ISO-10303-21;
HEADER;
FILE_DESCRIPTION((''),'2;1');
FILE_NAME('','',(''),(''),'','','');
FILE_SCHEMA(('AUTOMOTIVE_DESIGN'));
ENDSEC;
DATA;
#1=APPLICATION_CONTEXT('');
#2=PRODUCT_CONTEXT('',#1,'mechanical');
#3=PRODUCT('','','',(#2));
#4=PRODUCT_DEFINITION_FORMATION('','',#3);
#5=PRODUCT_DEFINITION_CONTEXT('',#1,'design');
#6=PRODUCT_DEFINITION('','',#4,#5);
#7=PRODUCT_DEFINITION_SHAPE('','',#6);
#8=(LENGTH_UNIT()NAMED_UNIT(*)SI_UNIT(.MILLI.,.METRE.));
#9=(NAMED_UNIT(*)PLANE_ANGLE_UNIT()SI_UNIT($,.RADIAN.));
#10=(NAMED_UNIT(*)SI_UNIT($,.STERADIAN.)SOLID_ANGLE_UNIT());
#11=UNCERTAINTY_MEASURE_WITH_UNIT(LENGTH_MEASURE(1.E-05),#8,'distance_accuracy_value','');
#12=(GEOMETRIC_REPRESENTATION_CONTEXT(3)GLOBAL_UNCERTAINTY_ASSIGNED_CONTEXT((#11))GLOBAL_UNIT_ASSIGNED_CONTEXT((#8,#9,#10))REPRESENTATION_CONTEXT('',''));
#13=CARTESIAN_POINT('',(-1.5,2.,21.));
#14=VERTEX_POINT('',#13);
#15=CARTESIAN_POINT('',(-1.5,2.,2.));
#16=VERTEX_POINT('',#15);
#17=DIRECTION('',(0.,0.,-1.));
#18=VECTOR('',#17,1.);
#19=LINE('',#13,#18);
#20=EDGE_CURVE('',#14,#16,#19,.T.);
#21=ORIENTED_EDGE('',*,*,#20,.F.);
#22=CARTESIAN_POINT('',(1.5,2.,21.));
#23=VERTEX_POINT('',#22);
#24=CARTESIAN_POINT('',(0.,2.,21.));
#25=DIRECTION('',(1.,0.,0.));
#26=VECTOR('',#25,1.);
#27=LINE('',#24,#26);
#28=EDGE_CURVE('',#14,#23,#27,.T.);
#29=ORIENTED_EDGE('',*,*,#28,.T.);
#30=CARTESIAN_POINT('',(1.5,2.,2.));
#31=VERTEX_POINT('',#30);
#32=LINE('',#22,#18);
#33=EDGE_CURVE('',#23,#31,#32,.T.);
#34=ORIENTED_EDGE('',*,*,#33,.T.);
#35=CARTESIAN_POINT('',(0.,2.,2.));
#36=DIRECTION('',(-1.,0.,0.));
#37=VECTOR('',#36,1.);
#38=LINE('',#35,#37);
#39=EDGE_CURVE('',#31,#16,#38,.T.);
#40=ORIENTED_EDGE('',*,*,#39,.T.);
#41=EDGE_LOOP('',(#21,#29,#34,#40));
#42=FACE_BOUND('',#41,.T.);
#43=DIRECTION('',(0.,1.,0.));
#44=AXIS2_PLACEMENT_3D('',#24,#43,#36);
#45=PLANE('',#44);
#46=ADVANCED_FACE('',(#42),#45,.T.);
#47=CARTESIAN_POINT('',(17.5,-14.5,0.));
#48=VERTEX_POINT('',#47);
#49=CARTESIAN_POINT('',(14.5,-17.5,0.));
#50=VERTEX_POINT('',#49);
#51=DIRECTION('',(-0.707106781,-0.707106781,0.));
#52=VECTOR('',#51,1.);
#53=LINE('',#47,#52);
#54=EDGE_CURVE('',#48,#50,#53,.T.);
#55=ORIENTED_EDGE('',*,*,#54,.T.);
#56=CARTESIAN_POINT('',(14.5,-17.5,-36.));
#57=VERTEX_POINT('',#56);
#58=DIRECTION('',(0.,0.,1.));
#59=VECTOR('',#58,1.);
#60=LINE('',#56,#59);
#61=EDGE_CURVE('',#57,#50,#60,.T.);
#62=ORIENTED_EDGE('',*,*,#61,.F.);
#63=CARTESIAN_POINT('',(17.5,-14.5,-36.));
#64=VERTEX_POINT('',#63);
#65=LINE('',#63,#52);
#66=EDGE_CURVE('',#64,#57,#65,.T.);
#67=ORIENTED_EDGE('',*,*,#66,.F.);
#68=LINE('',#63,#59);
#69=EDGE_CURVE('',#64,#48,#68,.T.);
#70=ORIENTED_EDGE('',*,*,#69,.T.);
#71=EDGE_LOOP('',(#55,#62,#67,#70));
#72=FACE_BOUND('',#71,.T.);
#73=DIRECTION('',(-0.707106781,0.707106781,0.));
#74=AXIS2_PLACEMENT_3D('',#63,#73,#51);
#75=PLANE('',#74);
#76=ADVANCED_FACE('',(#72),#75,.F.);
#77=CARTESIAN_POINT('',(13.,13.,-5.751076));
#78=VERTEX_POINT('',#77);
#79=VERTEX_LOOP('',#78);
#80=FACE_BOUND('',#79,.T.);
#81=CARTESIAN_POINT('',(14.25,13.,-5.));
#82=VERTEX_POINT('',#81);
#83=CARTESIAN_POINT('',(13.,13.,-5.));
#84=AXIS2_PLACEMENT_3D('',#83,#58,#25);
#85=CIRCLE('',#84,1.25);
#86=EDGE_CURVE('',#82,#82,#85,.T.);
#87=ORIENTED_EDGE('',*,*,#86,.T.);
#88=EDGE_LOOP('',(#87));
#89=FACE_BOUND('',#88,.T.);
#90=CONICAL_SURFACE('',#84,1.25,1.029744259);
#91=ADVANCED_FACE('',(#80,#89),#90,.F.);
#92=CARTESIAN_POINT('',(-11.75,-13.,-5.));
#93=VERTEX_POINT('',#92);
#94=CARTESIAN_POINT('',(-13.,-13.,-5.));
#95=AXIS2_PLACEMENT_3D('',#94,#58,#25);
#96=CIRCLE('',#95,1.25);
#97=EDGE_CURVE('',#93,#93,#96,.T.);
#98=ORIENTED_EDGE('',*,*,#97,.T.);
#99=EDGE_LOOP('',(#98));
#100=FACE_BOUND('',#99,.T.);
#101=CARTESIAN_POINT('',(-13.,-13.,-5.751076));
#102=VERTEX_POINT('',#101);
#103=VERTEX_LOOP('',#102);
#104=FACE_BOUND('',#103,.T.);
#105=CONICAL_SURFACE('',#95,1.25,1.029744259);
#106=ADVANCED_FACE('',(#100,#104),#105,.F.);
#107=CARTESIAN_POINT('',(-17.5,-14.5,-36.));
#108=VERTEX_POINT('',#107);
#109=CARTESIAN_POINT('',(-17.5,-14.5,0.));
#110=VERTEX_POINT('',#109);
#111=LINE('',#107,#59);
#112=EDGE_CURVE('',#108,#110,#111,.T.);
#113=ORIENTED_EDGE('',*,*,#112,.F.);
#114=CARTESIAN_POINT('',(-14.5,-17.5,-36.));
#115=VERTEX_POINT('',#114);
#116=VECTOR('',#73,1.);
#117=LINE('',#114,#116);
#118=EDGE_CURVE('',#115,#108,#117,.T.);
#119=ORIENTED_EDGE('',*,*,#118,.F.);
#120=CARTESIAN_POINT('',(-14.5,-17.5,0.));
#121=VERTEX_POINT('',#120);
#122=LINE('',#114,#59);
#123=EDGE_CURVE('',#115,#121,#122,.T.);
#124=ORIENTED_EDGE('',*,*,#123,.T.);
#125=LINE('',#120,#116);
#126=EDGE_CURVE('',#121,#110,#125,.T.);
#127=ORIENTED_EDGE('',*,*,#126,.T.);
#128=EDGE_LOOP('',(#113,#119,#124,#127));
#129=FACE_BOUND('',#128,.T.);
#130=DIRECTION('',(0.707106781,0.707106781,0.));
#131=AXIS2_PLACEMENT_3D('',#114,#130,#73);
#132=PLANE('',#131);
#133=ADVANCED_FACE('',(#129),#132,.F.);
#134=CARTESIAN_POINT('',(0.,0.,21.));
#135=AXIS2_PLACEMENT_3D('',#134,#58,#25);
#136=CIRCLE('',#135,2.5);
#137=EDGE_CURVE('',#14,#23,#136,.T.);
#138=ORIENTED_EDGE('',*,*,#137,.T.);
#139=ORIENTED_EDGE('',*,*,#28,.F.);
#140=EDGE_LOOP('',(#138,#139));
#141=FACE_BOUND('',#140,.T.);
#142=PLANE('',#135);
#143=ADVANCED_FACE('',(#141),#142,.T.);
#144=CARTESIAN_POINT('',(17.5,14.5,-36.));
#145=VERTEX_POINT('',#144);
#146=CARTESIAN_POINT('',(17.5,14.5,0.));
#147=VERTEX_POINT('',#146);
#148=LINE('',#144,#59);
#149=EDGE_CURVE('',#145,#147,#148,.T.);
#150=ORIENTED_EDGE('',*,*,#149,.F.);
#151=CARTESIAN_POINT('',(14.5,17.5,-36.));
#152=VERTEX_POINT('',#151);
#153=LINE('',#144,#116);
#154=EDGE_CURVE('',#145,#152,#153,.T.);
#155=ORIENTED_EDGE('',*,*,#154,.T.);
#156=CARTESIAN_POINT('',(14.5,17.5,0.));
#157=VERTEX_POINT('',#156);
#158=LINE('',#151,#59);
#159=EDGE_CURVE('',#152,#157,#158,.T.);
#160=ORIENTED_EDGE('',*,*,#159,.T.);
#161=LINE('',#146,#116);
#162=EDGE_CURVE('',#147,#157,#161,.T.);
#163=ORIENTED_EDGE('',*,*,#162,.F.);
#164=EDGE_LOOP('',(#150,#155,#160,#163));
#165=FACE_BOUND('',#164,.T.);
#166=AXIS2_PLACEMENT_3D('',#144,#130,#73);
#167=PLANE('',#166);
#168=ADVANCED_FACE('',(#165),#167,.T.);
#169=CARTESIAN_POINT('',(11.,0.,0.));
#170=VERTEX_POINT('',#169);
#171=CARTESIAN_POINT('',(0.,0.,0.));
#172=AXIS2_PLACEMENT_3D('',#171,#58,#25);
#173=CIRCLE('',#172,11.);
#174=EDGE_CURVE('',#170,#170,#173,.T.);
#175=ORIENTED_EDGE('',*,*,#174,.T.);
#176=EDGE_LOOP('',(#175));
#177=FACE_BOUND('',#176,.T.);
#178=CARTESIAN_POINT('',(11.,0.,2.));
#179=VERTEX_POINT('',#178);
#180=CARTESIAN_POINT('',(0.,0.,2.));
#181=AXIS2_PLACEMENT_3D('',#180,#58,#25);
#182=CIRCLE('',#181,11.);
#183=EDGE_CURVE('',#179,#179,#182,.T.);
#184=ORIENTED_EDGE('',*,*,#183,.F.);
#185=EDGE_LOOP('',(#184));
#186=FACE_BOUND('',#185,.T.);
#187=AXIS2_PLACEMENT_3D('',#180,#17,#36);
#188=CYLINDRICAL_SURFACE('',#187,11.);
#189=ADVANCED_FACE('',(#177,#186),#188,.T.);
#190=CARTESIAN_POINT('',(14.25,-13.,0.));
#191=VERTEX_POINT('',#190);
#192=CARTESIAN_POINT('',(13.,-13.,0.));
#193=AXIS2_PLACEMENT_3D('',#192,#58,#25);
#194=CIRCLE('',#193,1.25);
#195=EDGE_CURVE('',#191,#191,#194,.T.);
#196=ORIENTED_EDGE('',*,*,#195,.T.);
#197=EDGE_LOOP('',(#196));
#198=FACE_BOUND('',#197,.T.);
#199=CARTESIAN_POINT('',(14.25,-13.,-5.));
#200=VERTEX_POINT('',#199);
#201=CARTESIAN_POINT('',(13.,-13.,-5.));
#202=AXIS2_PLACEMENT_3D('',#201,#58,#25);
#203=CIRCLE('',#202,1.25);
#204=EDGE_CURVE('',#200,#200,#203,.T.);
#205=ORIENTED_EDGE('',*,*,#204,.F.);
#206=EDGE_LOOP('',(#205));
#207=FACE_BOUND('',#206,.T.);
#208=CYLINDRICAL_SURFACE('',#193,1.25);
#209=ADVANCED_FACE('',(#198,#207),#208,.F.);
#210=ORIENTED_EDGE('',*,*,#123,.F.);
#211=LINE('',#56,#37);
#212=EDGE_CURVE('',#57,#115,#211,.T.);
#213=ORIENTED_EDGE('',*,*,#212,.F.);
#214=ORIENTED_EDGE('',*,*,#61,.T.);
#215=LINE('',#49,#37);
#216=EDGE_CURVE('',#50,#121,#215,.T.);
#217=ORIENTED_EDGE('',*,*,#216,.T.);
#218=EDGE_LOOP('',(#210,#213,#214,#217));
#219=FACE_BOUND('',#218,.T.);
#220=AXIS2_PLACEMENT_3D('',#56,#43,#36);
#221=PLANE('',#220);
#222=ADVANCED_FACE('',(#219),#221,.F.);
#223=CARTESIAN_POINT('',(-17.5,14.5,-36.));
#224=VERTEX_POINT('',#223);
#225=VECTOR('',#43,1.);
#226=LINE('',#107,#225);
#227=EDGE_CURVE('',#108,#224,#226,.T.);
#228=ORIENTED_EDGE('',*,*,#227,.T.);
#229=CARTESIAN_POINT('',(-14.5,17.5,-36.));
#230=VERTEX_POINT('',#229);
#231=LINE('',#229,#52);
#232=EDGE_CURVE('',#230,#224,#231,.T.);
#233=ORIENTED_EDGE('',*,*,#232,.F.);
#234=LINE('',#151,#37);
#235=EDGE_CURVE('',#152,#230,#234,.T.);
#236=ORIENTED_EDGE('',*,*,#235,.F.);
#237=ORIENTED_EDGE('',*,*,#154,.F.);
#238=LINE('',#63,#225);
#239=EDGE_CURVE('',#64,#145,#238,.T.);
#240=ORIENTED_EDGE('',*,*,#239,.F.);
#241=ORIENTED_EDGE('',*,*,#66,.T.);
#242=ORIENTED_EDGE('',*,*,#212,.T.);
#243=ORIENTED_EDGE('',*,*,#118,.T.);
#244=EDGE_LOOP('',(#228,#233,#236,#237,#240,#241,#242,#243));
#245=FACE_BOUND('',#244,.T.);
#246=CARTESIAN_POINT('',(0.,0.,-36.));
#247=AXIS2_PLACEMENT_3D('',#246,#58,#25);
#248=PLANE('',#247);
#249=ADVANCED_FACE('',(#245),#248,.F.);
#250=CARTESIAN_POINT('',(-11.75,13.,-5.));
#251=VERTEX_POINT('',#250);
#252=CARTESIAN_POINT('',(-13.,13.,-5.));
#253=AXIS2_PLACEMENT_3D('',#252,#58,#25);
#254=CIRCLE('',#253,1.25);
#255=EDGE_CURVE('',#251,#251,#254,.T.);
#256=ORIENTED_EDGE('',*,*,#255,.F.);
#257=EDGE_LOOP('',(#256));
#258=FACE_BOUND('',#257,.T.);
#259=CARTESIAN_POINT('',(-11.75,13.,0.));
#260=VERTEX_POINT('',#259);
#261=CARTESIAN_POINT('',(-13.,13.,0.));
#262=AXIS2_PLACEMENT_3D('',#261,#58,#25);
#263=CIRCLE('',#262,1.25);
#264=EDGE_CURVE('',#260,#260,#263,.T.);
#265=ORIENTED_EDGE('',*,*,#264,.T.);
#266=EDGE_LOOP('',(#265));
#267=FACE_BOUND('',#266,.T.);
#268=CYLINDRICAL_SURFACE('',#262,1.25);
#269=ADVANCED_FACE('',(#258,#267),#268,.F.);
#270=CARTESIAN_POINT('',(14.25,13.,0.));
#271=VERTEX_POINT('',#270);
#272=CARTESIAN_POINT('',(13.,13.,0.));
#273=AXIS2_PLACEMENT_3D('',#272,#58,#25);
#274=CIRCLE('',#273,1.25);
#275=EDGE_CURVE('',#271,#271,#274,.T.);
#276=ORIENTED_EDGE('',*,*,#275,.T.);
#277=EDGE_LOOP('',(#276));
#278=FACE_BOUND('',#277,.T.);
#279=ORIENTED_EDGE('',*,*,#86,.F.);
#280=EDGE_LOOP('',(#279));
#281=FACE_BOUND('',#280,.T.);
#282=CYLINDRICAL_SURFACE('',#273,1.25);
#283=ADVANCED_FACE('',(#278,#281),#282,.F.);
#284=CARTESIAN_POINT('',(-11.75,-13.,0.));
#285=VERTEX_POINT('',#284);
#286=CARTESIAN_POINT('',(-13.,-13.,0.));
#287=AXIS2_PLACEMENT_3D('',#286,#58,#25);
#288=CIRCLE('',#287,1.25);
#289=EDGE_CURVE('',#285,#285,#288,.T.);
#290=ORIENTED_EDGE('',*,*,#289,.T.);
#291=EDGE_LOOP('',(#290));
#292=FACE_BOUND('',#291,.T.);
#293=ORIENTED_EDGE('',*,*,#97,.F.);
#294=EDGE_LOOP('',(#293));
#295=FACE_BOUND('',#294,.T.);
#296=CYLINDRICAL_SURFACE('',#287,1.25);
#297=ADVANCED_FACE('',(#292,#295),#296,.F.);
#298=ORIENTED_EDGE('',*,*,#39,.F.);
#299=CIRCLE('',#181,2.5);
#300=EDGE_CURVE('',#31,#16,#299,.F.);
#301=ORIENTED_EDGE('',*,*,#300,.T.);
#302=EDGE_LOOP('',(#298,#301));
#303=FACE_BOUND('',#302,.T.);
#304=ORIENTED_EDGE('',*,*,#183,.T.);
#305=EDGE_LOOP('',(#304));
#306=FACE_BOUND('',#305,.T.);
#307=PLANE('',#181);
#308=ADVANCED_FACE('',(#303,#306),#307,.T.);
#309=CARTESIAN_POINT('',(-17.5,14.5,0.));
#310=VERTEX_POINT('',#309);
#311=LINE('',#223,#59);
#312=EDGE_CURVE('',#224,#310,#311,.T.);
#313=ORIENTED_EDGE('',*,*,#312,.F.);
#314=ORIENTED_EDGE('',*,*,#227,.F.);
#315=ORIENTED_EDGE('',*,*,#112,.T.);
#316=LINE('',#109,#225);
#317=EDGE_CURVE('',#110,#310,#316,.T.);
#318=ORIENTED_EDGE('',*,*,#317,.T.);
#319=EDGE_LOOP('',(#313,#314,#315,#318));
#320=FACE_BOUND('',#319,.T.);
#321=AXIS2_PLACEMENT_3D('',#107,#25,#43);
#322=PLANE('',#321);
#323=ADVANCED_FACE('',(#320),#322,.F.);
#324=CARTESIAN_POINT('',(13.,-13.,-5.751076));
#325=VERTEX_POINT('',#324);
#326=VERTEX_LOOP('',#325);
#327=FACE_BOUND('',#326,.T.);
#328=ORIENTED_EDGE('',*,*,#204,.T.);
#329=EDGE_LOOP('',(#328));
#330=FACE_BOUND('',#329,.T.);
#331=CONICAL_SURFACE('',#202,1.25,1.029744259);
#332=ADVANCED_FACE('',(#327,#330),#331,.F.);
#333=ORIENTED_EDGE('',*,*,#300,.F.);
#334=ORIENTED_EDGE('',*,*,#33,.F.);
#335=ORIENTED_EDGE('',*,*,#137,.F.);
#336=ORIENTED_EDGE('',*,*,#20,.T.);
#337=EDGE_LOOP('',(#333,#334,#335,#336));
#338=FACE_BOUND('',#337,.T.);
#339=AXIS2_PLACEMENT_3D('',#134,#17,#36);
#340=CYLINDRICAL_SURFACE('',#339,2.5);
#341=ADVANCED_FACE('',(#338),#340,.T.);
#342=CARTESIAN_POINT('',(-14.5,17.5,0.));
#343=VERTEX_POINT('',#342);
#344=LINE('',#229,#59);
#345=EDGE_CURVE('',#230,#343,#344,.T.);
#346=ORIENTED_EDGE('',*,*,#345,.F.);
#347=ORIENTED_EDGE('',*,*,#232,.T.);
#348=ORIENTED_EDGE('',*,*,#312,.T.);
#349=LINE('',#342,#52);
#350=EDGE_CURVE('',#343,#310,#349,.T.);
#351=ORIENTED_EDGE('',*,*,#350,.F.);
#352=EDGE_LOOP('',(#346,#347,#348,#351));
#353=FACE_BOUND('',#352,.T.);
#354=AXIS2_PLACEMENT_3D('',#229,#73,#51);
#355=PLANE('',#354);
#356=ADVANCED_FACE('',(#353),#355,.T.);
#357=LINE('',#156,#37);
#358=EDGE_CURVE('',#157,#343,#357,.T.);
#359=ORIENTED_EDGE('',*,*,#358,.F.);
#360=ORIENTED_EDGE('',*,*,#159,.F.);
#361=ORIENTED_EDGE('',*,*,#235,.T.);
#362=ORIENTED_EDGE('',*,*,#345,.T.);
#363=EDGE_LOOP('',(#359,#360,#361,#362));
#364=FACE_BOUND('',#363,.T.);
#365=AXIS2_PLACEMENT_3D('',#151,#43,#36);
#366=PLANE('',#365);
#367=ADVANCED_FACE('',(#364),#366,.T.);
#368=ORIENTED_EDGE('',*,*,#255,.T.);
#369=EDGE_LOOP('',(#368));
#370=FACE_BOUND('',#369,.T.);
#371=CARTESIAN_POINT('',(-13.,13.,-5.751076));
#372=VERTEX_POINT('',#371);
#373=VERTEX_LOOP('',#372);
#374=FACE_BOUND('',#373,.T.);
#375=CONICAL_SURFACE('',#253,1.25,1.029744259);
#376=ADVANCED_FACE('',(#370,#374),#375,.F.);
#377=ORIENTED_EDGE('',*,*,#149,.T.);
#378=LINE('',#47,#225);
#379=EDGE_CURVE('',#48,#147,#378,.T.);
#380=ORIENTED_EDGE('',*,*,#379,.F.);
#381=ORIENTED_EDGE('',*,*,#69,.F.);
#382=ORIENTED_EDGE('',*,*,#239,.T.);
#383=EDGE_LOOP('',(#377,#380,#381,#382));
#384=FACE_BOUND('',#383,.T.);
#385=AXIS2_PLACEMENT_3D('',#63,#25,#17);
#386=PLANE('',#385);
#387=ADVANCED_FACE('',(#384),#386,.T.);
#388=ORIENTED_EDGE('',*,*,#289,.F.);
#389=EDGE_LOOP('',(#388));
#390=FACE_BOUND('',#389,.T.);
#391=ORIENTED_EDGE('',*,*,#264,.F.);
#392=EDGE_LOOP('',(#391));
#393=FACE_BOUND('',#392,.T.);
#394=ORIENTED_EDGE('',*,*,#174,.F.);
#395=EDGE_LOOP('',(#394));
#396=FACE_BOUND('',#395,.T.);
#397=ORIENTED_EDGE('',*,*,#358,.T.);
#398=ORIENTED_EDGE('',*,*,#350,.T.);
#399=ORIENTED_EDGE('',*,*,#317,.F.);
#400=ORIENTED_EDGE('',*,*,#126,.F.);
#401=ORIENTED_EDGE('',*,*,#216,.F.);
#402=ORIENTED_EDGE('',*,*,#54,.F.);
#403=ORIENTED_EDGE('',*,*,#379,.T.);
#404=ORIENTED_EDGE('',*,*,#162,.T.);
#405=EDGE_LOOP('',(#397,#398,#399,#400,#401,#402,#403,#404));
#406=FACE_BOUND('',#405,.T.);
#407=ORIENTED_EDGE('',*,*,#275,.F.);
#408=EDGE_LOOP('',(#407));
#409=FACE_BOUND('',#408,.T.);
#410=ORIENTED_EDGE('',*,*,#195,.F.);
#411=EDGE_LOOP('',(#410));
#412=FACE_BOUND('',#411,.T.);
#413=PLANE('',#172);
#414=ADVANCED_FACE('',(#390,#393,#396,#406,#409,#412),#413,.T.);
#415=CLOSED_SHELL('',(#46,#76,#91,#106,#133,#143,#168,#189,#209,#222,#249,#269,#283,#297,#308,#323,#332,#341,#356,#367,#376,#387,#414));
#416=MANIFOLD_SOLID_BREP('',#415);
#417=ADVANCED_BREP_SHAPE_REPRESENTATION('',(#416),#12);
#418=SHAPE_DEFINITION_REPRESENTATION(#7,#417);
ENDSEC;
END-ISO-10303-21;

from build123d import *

# Parameters (mm, degrees)
BOSS_EXTRUDE1_DEPTH       = 36
SKETCH1_3_R               = 11
BOSS_EXTRUDE2_DEPTH       = 2
M3X0_5_TAPPED_HOLE1_D     = 2.5
M3X0_5_TAPPED_HOLE1_DEPTH = 5
M3X0_5_TAPPED_HOLE1_TIP   = 0.751075774
BOSS_EXTRUDE3_DEPTH       = 21


with BuildPart() as part:
    # Sketch1 → Boss-Extrude1 (new body)
    with BuildSketch(Plane.XY):
        Polygon((-14.5, 17.5), (-17.5, 14.5), (-17.5, -14.5), (-14.5, -17.5), (14.5, -17.5), (17.5, -14.5), (17.5, 14.5), (14.5, 17.5), align=None)
    extrude(amount=-BOSS_EXTRUDE1_DEPTH)

    # Sketch1<3> → Boss-Extrude2 (add)
    with BuildSketch(Plane.XY):
        Circle(SKETCH1_3_R)
    extrude(amount=BOSS_EXTRUDE2_DEPTH)

    # M3x0.5 Tapped Hole1
    with Locations(Plane.XY):
        with Locations((13, 13), (-13, 13), (-13, -13), (13, -13)):
            Hole(M3X0_5_TAPPED_HOLE1_D / 2, depth=M3X0_5_TAPPED_HOLE1_DEPTH)
            with Locations((0, 0, -(M3X0_5_TAPPED_HOLE1_DEPTH + M3X0_5_TAPPED_HOLE1_TIP / 2))):  # 118° drill point
                Cone(0, M3X0_5_TAPPED_HOLE1_D / 2, M3X0_5_TAPPED_HOLE1_TIP, mode=Mode.SUBTRACT)

    # Sketch1<4> → Boss-Extrude3 (add)
    with BuildSketch(Plane.XY):
        with BuildLine():
            Line((1.5, 2), (-1.5, 2))
            ThreePointArc((-1.5, 2), (0, -2.5), (1.5, 2))
        make_face()
    extrude(amount=BOSS_EXTRUDE3_DEPTH)


solid = part.part
